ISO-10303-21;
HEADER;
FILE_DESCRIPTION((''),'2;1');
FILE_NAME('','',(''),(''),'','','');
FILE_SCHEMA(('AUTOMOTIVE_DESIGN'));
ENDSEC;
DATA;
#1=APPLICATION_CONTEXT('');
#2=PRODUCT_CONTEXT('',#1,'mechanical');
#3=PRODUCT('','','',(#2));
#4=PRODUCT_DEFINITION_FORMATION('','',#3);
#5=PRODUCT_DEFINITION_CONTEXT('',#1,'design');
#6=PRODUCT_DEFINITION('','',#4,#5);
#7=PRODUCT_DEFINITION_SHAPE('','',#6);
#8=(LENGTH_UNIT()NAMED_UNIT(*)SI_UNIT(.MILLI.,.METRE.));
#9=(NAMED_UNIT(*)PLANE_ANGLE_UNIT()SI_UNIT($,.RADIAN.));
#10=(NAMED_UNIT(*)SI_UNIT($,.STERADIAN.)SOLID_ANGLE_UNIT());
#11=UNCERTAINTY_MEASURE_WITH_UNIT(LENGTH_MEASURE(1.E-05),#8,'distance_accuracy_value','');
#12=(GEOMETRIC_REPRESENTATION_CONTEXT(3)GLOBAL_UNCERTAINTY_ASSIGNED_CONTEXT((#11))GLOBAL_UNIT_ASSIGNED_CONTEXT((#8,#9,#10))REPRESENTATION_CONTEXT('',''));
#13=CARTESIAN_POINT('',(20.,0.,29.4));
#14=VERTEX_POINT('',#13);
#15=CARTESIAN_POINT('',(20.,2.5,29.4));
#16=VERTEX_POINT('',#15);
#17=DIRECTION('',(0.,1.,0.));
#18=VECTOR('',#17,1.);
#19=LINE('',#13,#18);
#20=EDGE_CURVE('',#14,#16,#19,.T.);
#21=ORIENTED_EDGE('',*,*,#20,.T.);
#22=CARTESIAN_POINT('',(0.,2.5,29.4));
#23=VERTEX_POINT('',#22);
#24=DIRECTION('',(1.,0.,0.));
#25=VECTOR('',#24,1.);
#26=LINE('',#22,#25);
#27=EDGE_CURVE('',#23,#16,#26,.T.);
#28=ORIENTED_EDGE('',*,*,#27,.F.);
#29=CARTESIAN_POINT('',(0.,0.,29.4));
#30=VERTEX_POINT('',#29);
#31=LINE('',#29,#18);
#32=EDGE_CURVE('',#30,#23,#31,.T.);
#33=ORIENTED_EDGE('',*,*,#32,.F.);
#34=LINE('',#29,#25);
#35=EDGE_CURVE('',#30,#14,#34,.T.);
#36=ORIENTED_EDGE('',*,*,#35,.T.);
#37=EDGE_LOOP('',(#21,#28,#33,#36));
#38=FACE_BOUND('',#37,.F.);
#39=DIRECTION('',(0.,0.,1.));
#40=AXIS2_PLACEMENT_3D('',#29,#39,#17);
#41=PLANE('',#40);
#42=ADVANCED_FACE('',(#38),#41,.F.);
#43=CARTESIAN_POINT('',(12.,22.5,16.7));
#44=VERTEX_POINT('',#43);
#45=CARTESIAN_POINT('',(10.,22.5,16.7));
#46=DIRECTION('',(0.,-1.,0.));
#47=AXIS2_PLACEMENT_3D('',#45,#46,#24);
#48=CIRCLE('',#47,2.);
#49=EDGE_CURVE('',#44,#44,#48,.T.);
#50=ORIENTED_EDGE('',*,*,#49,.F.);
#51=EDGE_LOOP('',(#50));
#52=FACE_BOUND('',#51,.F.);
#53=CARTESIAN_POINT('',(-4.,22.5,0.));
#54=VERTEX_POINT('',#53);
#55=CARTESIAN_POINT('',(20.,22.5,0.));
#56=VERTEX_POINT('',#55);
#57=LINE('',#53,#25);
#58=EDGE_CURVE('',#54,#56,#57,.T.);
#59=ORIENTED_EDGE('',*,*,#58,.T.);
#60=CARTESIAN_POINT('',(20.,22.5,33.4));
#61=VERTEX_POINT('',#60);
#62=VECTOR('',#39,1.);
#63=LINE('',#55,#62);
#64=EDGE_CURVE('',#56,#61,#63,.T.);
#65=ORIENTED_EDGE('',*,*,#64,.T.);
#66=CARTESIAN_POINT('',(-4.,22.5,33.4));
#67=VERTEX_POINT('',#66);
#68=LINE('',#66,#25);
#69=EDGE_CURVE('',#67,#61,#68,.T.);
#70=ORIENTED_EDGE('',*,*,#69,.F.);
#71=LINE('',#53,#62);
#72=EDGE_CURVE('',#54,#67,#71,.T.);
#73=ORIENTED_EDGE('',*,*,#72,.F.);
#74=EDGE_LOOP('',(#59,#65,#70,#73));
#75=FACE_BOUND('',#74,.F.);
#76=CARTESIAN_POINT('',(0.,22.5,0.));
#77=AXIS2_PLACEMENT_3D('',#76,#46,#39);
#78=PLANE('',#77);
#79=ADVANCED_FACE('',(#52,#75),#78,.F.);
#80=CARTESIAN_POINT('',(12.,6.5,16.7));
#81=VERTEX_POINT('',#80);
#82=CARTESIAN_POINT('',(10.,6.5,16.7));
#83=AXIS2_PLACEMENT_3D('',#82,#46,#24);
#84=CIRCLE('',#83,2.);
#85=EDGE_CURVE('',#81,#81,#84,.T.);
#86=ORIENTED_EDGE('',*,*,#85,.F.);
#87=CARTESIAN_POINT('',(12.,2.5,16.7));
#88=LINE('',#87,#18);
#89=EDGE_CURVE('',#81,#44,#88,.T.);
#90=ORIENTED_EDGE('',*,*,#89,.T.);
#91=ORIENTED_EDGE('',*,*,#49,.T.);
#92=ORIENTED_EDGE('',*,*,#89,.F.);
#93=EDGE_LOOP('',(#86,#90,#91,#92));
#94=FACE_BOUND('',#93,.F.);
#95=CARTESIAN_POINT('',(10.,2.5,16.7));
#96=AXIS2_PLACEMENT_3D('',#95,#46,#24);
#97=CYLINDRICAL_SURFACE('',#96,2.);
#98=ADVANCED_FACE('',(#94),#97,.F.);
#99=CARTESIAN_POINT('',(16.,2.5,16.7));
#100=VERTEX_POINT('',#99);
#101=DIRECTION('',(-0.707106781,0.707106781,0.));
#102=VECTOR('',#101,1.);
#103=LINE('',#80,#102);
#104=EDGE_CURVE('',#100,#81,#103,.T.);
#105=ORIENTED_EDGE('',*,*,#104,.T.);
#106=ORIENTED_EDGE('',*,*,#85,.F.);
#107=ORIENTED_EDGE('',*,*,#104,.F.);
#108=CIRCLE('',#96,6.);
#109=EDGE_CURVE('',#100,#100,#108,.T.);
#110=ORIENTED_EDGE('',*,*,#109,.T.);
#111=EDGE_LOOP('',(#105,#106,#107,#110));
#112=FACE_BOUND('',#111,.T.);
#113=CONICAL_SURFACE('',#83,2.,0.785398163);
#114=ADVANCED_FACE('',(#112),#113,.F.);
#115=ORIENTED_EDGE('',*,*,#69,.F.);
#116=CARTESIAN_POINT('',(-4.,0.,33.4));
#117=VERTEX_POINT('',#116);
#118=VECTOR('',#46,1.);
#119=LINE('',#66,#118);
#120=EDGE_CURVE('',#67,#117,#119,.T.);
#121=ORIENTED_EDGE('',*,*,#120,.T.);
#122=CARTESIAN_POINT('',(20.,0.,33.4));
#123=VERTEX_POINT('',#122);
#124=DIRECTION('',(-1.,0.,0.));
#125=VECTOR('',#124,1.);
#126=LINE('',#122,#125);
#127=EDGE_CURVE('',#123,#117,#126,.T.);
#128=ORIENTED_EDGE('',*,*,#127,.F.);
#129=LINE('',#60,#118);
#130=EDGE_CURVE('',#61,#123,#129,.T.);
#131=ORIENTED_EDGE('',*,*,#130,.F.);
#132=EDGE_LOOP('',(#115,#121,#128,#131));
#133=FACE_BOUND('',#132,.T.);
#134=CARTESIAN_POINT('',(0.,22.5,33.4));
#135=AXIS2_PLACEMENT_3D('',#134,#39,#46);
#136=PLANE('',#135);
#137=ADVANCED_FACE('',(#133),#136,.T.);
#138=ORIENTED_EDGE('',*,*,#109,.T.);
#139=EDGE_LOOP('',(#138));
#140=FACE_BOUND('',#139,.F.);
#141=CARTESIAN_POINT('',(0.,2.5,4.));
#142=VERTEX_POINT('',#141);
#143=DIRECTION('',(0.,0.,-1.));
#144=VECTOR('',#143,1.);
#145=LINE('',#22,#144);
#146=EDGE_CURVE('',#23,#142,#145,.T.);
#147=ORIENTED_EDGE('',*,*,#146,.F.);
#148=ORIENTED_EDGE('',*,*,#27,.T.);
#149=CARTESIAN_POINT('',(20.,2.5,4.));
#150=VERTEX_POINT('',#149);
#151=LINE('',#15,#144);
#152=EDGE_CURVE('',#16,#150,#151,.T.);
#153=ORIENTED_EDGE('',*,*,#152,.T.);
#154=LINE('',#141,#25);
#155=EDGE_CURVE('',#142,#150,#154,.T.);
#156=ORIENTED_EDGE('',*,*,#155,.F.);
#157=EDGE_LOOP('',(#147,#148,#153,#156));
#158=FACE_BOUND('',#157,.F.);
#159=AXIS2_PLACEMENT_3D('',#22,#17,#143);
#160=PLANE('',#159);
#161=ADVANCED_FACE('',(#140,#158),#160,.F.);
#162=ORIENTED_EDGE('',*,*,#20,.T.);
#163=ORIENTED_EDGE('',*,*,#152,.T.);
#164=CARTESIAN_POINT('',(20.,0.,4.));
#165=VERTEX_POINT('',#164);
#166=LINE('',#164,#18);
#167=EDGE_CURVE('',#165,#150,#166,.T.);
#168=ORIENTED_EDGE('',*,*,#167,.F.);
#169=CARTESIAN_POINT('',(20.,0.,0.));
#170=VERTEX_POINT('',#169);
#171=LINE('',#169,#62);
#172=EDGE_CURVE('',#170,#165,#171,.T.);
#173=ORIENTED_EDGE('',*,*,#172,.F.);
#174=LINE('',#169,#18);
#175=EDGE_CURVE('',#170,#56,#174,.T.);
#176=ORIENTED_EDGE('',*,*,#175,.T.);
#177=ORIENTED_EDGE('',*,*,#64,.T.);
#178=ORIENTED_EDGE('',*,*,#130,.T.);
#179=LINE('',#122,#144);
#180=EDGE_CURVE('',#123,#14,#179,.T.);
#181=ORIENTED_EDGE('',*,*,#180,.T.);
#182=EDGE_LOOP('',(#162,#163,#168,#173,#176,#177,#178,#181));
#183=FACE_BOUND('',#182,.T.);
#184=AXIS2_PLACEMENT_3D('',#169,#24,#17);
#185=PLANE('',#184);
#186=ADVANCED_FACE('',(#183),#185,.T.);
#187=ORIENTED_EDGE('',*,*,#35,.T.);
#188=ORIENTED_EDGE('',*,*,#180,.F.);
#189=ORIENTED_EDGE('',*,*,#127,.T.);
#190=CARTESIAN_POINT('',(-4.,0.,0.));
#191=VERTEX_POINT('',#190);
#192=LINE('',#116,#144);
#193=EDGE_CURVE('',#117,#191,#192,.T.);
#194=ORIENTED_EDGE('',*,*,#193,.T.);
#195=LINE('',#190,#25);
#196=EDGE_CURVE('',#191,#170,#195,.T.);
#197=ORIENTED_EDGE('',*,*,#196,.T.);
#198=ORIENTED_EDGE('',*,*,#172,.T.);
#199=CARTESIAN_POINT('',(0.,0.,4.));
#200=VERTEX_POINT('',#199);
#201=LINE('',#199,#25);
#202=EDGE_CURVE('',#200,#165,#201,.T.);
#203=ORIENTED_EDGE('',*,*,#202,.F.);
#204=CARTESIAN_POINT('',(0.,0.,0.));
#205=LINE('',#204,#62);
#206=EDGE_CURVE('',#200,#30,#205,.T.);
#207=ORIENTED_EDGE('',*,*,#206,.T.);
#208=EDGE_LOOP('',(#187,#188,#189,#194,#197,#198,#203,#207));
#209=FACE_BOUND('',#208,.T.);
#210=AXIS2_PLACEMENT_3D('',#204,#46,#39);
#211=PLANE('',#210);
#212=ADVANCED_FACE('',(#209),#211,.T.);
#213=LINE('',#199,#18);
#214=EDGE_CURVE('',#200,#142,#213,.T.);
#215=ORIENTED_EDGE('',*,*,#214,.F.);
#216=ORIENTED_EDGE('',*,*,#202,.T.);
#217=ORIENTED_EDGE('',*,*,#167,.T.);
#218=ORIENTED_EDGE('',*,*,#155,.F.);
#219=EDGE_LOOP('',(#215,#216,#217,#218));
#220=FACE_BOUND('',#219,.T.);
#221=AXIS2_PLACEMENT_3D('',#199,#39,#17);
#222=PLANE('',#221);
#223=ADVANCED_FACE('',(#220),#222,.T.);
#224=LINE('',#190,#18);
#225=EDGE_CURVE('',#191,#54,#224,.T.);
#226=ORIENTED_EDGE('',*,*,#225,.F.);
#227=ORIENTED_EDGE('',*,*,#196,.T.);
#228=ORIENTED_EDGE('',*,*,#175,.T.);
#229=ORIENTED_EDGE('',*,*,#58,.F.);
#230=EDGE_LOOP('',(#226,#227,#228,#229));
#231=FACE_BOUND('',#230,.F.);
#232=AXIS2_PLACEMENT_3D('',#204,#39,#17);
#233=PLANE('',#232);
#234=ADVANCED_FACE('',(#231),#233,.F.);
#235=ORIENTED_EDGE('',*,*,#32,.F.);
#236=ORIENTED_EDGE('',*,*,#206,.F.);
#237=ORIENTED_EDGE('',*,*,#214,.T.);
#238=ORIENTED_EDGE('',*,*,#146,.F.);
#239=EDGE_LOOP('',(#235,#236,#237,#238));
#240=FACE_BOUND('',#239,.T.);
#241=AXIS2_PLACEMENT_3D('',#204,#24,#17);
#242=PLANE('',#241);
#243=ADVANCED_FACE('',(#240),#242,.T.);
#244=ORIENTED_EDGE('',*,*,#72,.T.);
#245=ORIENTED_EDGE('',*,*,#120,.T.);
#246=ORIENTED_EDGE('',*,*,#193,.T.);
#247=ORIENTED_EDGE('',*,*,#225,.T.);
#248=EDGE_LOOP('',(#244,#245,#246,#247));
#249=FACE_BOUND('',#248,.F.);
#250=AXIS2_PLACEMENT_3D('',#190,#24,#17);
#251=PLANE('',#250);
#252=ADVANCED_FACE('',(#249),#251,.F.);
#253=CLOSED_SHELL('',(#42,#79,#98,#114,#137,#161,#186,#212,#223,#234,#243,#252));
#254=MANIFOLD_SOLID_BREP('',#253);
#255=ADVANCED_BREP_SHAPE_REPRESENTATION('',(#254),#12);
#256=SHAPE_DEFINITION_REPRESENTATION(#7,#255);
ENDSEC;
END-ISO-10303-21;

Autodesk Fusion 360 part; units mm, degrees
sketch "Sketch1" plane through (0, 0, 0) normal (1, 0, 0) x (0, 1, 0)
  line L0 (0, 0) -> (22.5, 0)
  line L1 (22.5, 0) -> (22.5, 33.4)
  line L2 (22.5, 33.4) -> (0, 33.4)
  line L3 (0, 33.4) -> (0, 29.4)
  line L4 (0, 29.4) -> (2.5, 29.4)
  line L5 (0, 0) -> (0, 4)
  line L6 (0, 4) -> (2.5, 4)
  line L7 (2.5, 29.4) -> (2.5, 4)
  line L8 (2.5, 29.4) -> (2.5, 33.4) construction
  line L9 (0, 29.4) -> (0, 4)
  dimension "d1" = 25.4
  dimension "d4" = 4
  dimension "d5" = 2.5
  dimension "d6" = 20
extrude "Extrude1" add sketch "Sketch1" along normal blind 20 contours L0 L1 L2 L3 L4 L5 L6 L7
extrude "Extrude2" add sketch "Sketch1" against normal blind 4
sketch "Sketch2" plane through (0, 2.5, 0) normal (0, -1, 0) x (1, 0, 0)
  line L0 (0, 29.4) -> (0, 4)
  line L1 (0, 4) -> (20, 4)
  line L2 (20, 4) -> (20, 29.4)
  line L3 (20, 29.4) -> (0, 29.4)
  circle A0 centre (10, 16.7) radius 2
  line L4 (10, 16.7) -> (10, 29.4) construction
  line L5 (10, 16.7) -> (0, 16.7) construction
  dimension "d11" = 4
extrude "Extrude3" cut sketch "Sketch2" against normal up to surface (20 mm away) contours A0
chamfer "Chamfer1" distance 4 angle 45 1 edges at (8.1353, 2.5, 17.4232)
equation "d1 = 1\""
